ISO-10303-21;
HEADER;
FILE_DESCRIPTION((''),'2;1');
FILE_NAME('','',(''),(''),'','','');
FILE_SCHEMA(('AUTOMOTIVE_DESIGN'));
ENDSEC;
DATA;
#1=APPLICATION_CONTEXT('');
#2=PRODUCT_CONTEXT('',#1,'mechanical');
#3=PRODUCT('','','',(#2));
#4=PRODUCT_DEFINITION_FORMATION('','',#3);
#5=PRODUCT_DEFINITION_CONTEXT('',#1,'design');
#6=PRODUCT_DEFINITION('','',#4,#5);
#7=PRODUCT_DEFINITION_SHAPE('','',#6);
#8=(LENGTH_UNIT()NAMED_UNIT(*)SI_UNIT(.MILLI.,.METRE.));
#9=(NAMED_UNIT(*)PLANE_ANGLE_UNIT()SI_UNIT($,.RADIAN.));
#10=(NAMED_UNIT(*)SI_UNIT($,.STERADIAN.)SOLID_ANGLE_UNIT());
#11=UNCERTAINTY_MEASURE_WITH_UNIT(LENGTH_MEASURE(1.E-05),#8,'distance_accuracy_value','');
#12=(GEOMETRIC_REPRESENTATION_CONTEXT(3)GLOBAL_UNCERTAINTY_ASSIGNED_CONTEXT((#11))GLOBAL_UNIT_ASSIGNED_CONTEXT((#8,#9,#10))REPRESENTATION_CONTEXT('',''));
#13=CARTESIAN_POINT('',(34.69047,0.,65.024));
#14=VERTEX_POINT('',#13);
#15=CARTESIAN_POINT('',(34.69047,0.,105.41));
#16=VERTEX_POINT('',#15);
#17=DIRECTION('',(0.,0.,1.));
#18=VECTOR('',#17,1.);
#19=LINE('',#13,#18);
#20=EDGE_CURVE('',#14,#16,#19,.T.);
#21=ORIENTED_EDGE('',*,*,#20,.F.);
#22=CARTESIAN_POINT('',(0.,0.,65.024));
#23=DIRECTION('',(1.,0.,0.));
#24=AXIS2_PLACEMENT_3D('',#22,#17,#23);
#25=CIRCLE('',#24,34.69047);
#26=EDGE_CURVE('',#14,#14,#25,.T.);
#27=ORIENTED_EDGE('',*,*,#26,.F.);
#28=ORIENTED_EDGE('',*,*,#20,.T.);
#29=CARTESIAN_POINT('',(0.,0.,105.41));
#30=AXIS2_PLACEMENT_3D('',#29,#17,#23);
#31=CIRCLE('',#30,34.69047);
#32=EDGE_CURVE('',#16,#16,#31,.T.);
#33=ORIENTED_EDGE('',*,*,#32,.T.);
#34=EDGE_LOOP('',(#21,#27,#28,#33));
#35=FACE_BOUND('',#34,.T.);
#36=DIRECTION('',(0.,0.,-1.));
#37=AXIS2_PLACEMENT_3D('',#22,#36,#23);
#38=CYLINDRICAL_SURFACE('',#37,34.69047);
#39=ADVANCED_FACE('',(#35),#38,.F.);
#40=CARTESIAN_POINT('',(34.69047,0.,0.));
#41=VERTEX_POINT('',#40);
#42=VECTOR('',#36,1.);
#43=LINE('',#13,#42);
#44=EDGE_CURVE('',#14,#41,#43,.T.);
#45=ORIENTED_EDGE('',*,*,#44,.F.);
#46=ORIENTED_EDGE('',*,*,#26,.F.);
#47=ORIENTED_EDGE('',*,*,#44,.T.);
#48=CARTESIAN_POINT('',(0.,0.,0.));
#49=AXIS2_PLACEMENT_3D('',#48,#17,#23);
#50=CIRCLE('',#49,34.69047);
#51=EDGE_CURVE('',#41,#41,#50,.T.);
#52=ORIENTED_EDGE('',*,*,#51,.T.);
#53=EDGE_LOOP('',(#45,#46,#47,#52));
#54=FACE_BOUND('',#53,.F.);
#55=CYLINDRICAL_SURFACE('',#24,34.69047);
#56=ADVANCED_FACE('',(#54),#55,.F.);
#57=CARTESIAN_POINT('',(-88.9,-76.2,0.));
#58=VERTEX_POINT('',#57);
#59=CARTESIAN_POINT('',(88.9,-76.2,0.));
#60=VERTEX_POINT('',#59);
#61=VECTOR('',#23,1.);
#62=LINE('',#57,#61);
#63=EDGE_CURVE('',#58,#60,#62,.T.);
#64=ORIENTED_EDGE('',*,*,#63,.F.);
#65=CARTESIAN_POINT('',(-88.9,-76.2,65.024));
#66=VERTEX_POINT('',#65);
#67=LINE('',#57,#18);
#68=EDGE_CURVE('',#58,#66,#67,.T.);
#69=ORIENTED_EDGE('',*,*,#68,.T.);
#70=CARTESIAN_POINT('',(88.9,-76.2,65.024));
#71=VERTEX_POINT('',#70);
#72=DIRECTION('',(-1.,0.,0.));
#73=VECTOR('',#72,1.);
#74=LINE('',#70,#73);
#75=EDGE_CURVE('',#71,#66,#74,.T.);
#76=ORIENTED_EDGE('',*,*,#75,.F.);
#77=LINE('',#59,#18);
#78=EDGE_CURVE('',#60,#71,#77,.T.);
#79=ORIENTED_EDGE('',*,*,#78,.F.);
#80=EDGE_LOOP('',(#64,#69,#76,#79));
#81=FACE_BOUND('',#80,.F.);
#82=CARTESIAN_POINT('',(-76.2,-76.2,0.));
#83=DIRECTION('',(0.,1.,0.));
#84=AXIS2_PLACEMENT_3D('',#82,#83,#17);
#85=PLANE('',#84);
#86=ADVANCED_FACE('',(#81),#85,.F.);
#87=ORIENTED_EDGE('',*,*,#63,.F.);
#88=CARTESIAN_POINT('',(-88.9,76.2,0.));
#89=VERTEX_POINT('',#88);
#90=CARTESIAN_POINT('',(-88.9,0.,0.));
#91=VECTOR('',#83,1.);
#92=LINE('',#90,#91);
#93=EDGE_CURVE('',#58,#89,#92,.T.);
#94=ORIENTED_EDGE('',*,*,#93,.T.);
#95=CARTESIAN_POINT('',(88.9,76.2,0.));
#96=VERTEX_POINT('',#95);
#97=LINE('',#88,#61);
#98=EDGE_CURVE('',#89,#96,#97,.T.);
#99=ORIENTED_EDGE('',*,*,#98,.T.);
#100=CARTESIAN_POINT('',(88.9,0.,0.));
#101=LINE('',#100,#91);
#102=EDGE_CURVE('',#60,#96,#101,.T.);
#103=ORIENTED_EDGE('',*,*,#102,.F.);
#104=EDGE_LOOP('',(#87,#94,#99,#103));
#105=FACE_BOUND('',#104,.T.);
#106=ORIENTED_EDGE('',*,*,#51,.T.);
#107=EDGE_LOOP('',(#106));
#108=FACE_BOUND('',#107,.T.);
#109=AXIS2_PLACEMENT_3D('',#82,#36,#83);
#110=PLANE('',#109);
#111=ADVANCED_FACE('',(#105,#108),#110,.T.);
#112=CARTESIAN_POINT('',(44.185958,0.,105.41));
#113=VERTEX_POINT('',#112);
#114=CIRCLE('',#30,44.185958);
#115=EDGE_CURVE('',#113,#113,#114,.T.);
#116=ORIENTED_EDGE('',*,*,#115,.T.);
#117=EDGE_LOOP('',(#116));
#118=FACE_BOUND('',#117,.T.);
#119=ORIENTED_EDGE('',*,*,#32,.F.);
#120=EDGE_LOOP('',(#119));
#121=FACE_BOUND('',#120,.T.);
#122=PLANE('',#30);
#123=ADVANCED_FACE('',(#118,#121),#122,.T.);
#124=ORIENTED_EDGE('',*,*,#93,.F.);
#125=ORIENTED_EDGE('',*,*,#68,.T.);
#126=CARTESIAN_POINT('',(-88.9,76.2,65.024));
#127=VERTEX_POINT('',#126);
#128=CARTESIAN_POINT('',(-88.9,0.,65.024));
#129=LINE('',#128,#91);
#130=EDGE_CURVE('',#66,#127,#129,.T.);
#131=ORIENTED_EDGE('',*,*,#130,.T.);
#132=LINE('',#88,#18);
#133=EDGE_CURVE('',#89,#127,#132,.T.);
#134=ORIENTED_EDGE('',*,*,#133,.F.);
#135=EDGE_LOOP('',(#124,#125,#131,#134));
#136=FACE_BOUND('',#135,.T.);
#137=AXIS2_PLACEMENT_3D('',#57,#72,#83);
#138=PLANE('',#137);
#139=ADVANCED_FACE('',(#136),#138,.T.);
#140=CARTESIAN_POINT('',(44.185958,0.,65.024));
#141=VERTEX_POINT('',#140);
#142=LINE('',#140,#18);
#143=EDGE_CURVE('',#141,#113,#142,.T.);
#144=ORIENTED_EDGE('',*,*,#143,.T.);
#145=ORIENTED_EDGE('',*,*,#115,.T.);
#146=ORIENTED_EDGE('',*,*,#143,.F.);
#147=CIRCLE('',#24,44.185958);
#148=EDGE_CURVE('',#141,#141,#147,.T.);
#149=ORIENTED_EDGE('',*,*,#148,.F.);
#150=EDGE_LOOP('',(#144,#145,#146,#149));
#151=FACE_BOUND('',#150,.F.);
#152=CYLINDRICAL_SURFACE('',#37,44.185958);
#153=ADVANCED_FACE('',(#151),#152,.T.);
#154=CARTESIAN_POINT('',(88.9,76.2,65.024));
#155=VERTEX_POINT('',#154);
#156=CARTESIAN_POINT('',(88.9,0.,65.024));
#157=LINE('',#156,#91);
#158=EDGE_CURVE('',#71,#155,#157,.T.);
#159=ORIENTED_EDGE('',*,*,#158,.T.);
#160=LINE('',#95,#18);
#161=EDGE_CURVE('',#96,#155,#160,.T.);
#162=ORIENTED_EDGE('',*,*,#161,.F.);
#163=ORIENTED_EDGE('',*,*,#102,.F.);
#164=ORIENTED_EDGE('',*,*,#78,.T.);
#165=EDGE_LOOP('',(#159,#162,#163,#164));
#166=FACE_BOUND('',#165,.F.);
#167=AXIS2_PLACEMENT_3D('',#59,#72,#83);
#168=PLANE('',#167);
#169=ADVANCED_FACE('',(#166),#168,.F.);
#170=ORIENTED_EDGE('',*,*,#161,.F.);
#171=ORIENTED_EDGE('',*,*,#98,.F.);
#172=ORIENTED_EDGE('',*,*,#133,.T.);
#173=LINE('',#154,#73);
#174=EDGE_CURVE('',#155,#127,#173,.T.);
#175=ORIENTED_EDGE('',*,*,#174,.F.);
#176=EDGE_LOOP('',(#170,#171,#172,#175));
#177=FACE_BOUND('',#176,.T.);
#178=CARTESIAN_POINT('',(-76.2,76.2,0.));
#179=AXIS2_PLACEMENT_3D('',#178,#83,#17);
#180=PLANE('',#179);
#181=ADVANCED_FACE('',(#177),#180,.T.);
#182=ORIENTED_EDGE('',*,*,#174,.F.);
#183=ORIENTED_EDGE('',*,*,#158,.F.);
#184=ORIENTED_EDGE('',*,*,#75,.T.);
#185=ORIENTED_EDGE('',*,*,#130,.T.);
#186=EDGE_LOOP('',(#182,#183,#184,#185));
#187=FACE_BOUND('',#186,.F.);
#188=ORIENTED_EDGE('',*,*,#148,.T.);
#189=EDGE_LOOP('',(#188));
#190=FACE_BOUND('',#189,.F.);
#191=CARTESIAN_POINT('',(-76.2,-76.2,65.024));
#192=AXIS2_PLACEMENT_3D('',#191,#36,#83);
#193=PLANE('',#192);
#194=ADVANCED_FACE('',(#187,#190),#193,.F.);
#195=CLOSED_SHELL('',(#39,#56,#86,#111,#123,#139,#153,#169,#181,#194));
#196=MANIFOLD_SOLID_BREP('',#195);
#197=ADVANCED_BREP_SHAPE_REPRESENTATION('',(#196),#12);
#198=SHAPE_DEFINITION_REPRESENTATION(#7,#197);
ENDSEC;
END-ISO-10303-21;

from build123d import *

# Parameters (mm, degrees)
F0_W     = 152.4
F0_H     = 152.4
F1_DEPTH = 65.024
F2_R     = 34.6904695034
F3_DEPTH = 125.984
F4_R     = 44.1859582528
F4_R_2   = 34.6904695034
F5_DEPTH = 40.386
F6_DEPTH = 12.7
F7_DEPTH = 12.7


with BuildPart() as f1:
    # F0 (on Top) → F1 (new body)
    with BuildSketch(Plane.XY):
        Rectangle(F0_W, F0_H)
    extrude(amount=F1_DEPTH)

    # F2 (on face) → F3 (cut)
    with BuildSketch(Plane.XY.offset(65.024)):
        Circle(F2_R)
    extrude(amount=-F3_DEPTH, mode=Mode.SUBTRACT)

    # F4 (on face) → F5 (join)
    with BuildSketch(Plane.XY.offset(65.024)):
        Circle(F4_R)
        Circle(F4_R_2, mode=Mode.SUBTRACT)
    extrude(amount=F5_DEPTH)

    # F6 (add): a face of the model
    f6_faces = [f1.faces().sort_by_distance(p)[0] for p in [
        (76.2, 0, 32.512),
    ]]
    extrude(f6_faces, amount=F6_DEPTH)

    # F7 (add): a face of the model
    f7_faces = [f1.faces().sort_by_distance(p)[0] for p in [
        (-76.2, 0, 32.512),
    ]]
    extrude(f7_faces, amount=F7_DEPTH)


solid = f1.part
